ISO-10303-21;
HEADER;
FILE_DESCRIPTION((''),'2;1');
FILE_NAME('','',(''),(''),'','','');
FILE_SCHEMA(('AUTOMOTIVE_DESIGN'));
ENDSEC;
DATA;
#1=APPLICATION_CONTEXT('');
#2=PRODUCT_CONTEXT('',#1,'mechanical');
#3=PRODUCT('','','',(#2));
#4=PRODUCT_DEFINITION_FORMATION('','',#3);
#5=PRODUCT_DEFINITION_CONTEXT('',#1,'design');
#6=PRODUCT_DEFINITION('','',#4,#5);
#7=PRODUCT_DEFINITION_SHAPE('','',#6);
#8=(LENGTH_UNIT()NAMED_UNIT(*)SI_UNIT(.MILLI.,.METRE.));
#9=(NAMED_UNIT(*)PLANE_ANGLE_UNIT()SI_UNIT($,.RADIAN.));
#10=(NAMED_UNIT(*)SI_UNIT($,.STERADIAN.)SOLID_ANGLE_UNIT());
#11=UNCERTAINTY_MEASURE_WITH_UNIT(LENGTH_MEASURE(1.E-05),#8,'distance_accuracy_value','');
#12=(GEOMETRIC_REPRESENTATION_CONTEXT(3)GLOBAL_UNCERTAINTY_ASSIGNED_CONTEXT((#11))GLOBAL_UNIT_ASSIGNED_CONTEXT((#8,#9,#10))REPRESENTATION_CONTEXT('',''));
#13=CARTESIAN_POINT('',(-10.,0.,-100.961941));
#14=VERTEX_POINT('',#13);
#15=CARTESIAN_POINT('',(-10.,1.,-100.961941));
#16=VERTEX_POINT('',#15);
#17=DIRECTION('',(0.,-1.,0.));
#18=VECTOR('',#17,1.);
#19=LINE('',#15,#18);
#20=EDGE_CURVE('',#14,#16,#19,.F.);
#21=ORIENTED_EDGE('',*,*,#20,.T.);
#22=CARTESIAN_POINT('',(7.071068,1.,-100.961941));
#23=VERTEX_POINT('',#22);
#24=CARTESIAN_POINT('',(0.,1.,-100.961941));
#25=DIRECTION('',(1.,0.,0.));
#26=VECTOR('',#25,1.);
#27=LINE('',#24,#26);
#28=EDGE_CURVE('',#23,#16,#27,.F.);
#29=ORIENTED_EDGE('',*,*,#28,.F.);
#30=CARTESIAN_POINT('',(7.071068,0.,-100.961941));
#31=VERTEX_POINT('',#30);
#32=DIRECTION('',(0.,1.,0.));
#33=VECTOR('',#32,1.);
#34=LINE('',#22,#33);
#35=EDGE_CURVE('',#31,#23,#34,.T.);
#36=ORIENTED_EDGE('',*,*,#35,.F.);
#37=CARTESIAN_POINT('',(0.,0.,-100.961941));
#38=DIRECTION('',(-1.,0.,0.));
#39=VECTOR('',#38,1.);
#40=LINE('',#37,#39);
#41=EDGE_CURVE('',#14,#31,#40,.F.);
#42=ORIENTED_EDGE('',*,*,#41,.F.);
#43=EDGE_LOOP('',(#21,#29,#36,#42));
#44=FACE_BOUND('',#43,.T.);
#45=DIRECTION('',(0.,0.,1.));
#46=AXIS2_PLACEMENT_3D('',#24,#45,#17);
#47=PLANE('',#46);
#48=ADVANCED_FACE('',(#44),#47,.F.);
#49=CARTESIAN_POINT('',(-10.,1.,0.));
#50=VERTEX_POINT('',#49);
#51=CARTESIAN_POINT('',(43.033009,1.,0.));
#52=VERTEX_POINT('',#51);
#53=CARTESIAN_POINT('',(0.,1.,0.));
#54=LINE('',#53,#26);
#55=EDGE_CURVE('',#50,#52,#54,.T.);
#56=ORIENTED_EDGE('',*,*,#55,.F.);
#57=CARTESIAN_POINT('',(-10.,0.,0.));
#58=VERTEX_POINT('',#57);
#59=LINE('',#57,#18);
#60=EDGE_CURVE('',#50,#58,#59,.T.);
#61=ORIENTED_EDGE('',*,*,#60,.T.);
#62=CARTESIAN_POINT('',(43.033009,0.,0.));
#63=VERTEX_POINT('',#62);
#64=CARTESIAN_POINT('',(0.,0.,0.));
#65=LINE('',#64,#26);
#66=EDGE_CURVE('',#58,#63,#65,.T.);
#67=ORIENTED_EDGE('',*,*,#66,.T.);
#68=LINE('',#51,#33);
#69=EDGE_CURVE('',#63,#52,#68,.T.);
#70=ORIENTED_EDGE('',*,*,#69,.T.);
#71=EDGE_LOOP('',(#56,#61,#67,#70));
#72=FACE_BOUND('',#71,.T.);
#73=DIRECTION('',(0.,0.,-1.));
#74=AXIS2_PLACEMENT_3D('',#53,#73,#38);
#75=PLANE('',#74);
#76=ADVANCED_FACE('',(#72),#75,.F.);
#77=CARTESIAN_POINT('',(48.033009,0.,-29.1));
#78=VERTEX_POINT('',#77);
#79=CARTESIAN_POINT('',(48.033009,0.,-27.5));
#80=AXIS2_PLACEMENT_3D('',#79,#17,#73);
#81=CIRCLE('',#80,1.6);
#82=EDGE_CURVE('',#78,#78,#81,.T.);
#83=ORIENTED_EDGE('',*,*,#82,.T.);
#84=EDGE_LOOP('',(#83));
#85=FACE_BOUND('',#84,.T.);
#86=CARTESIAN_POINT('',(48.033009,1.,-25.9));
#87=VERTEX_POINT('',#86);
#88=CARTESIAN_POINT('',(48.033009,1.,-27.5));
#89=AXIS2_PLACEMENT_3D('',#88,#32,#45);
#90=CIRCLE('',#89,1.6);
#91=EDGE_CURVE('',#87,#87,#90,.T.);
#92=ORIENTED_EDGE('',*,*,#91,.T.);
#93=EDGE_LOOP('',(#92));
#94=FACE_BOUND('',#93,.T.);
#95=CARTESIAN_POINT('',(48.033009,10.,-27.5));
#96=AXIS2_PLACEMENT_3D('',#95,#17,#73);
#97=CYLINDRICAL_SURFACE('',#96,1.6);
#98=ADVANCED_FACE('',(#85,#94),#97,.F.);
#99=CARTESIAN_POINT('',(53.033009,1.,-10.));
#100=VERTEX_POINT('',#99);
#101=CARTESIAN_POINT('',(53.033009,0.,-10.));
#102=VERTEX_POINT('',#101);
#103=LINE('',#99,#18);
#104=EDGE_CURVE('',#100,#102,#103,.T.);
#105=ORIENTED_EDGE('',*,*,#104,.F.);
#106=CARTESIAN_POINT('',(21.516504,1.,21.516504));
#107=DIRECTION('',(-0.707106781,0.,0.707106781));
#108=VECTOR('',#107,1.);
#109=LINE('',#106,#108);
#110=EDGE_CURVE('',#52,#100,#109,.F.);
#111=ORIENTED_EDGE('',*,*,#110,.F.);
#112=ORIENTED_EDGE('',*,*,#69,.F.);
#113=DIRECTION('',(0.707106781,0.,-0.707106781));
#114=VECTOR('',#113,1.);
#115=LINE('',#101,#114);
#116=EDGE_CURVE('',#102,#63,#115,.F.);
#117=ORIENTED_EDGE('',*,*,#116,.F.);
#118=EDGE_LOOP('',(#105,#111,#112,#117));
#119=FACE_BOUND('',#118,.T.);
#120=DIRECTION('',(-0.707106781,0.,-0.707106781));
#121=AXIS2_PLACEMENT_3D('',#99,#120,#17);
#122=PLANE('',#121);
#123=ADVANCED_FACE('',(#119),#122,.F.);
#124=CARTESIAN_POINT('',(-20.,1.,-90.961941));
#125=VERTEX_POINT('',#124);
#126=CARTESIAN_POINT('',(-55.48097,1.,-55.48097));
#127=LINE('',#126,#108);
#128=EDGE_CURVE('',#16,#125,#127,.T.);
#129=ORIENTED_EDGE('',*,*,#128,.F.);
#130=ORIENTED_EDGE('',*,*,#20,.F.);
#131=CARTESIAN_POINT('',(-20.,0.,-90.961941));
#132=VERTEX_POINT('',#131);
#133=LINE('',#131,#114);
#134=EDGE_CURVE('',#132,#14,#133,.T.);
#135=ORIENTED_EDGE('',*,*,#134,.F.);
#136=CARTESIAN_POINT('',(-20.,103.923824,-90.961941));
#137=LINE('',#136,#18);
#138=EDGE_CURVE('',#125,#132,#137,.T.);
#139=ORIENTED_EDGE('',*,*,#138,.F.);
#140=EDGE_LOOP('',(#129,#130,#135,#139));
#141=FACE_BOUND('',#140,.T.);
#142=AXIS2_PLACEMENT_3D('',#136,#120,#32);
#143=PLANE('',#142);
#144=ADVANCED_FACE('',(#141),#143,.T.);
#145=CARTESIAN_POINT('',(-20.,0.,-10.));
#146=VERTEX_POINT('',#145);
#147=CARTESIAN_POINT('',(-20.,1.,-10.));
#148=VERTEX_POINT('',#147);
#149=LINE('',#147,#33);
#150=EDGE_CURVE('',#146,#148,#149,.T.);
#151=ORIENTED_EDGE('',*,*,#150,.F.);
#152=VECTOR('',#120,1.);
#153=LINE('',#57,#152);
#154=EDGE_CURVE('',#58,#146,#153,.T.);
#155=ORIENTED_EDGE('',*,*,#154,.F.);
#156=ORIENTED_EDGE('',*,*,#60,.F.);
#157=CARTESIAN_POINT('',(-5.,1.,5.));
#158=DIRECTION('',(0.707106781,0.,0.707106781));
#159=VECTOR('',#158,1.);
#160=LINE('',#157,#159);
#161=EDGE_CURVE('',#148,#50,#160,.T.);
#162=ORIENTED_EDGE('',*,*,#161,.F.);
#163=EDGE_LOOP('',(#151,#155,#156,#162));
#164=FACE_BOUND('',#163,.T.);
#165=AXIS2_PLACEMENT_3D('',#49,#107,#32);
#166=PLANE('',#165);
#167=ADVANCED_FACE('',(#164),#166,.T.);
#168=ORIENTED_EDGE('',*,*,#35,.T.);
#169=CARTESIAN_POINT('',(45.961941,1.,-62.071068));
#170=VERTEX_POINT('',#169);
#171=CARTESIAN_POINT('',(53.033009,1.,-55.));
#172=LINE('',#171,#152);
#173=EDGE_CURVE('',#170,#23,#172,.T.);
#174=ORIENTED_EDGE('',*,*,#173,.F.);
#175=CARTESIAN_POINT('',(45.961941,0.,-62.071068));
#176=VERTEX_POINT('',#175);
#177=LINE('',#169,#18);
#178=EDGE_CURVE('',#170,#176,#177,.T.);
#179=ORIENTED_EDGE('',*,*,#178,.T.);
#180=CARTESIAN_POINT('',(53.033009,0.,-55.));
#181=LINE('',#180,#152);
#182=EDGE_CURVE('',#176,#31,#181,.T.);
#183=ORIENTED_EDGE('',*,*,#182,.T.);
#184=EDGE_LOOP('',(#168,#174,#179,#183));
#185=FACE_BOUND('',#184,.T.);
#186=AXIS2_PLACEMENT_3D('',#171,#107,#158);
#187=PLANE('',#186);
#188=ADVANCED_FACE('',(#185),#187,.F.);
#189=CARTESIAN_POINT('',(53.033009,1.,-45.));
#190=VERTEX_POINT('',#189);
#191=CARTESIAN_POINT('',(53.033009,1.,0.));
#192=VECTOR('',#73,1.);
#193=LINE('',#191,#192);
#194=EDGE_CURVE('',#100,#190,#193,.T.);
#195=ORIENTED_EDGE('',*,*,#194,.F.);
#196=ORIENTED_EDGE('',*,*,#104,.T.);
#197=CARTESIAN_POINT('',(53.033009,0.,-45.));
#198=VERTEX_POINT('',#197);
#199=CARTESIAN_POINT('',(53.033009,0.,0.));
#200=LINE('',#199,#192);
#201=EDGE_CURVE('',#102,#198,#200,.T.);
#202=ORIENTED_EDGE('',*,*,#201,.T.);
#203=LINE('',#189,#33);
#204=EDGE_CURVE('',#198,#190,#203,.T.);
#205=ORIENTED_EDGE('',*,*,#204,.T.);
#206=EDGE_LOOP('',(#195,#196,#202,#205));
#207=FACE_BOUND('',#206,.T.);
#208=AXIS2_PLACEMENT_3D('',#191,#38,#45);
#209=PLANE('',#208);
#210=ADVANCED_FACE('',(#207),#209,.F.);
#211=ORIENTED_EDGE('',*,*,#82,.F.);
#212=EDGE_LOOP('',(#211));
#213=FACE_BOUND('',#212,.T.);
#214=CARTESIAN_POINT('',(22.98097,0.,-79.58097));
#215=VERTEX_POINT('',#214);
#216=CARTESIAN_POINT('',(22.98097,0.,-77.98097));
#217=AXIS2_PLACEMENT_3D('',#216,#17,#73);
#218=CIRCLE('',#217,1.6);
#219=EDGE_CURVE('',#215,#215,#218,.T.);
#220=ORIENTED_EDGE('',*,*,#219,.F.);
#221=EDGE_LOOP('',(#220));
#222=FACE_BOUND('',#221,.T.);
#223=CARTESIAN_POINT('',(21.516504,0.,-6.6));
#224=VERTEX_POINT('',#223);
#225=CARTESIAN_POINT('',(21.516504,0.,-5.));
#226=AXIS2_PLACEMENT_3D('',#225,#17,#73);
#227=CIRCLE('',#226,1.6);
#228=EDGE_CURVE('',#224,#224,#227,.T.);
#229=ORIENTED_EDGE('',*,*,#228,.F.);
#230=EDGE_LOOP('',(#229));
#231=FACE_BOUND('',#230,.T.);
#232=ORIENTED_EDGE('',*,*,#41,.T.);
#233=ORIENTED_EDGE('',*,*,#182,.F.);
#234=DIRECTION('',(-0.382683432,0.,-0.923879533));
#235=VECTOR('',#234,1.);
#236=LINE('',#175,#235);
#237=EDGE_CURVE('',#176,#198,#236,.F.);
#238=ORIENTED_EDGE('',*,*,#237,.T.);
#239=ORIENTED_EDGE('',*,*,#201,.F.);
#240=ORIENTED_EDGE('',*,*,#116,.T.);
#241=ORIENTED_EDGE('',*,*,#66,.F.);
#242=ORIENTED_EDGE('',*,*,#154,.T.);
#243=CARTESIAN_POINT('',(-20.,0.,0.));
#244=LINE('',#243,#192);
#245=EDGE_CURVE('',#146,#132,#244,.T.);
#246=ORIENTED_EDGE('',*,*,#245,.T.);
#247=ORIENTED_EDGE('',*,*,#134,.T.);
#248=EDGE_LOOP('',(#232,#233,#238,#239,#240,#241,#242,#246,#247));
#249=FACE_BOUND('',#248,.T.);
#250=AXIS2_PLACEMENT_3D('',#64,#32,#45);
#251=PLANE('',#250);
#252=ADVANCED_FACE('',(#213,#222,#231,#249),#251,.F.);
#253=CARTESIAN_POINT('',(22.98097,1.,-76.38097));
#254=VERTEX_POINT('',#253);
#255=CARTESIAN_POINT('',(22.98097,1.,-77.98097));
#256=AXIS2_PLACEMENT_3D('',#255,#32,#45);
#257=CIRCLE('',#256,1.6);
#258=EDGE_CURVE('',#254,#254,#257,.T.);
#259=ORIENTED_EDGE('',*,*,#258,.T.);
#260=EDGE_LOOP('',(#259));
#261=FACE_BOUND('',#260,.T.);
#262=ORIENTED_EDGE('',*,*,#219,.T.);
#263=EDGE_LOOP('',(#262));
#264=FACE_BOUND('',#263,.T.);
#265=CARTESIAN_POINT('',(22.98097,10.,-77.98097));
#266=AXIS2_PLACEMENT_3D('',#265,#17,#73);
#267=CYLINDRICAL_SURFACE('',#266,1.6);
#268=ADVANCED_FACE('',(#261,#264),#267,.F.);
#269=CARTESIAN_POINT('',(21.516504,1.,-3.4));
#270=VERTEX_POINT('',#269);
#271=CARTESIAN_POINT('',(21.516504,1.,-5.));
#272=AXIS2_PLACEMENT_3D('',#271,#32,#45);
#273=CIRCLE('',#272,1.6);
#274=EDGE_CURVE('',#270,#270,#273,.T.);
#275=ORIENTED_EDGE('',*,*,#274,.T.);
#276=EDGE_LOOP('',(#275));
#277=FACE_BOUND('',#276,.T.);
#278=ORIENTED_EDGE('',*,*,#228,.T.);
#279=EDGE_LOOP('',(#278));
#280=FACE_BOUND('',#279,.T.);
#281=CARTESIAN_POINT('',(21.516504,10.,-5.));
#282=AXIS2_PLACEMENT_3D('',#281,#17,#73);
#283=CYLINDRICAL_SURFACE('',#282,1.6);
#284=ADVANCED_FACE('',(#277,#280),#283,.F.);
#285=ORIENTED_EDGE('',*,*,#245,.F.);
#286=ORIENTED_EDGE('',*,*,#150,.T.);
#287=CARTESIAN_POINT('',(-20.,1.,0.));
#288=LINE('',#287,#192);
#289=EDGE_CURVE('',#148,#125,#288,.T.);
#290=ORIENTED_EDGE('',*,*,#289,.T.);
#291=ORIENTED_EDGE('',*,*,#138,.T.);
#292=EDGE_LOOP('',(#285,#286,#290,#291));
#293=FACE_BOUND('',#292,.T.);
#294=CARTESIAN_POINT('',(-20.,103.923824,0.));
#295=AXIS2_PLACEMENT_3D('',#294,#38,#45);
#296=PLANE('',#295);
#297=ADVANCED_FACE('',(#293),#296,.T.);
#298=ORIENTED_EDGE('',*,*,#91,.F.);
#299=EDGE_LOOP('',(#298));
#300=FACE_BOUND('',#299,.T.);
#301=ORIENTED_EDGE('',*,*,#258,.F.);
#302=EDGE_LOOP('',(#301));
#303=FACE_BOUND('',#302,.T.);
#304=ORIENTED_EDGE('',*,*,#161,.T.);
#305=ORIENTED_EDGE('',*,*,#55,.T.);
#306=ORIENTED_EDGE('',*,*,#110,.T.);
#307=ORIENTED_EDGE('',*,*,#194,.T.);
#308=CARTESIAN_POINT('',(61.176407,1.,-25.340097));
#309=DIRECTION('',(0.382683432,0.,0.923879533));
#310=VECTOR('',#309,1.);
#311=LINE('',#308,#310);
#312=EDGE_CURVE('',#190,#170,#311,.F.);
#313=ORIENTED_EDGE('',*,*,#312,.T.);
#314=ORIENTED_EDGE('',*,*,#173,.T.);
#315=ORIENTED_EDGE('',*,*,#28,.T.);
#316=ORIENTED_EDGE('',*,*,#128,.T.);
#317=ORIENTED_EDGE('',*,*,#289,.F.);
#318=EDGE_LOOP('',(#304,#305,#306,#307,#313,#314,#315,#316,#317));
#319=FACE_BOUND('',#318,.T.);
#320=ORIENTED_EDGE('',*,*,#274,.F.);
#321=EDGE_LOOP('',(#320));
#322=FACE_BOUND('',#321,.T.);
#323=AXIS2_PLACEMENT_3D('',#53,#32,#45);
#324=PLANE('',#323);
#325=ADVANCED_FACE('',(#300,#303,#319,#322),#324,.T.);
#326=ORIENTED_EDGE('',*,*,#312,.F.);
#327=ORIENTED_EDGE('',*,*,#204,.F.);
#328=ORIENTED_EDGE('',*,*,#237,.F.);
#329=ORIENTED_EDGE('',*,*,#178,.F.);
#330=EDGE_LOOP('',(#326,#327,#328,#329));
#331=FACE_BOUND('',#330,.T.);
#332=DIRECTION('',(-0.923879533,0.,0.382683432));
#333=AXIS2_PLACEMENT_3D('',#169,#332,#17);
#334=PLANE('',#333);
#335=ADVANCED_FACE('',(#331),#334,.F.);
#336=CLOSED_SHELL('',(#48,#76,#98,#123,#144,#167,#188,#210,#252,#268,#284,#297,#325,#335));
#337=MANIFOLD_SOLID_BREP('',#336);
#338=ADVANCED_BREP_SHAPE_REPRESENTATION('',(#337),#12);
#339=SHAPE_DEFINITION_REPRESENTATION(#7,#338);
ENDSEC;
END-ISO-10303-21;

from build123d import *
from OCP.BRepFilletAPI import BRepFilletAPI_MakeChamfer

# Parameters (mm, degrees)
EXTRUDE_1_DEPTH     = 1
CHAMFER_1_SIZE      = 10
CHAMFER_1_SIZE2     = 7.071067812
CHAMFER_2_SIZE      = 10
SKETCH_3_R          = 1.6
CUT_EXTRUDE_2_DEPTH = 10
SKETCH_4_W          = 20
SKETCH_4_H          = 100.961940777
EXTRUDE_2_DEPTH     = 1
CHAMFER_3_SIZE      = 10


with BuildPart() as part:
    # 草图1 → 凸台-拉伸1 (new body)
    with BuildSketch(Plane(origin=(0, 0, 0), x_dir=(1, 0, 0), z_dir=(0, 1, 0))):
        Polygon((0, 0), (53.033008589, 0), (53.033008589, 55), (0, 108.033008589), align=None)
    extrude(amount=EXTRUDE_1_DEPTH)

    # 倒角1: one chamfer whose edges measure the first distance from different faces: ONE call of the kernel's chamfer builder (chamfer() names one face for all edges)
    chamfer_1_edges_1 = [part.edges().sort_by_distance(p)[0] for p in [
        (0, 0.5, -108.033008589),
    ]]
    chamfer_1_side_1 = [part.faces().sort_by_distance(p)[0] for p in [
        (26.516504294, 0.5, -81.516504294),
    ]]
    chamfer_1_edges_2 = [part.edges().sort_by_distance(p)[0] for p in [
        (53.033008589, 0.5, 0),
    ]]
    chamfer_1 = BRepFilletAPI_MakeChamfer(part.part.solid().wrapped)
    for e in chamfer_1_edges_1:
        chamfer_1.Add(CHAMFER_1_SIZE, CHAMFER_1_SIZE2, e.wrapped, chamfer_1_side_1[0].wrapped)  # the first distance lies on this face
    for e in chamfer_1_edges_2:
        chamfer_1.Add(CHAMFER_1_SIZE, e.wrapped)
    add(Compound.cast(chamfer_1.Shape()), mode=Mode.REPLACE)

    # 倒角2
    chamfer_2_edges = [part.edges().sort_by_distance(p)[0] for p in [
        (53.033008589, 0.5, -55),
    ]]
    chamfer(chamfer_2_edges, length=CHAMFER_2_SIZE)

    # 草图3 → 切除-拉伸2 (cut)
    with BuildSketch(Plane.XZ):
        with Locations(Location((22.980970389, -77.980970389, 0), (0, 0, 270))):
            Circle(SKETCH_3_R)
        with Locations(Location((48.033008589, -27.5, 0), (0, 0, 270))):
            Circle(SKETCH_3_R)
        with Locations(Location((21.516504294, -5, 0), (0, 0, 270))):
            Circle(SKETCH_3_R)
    extrude(amount=-CUT_EXTRUDE_2_DEPTH, mode=Mode.SUBTRACT)

    # 草图4 → 凸台-拉伸2 (add)
    with BuildSketch(Plane.XZ):
        with Locations((-10, -50.480970389)):
            Rectangle(SKETCH_4_W, SKETCH_4_H)
    extrude(amount=-EXTRUDE_2_DEPTH)

    # 倒角3
    chamfer_3_edges = [part.edges().sort_by_distance(p)[0] for p in [
        (-20, 0.5, 0),
        (-20, 0.5, -100.961940777),
    ]]
    chamfer(chamfer_3_edges, length=CHAMFER_3_SIZE)


solid = part.part
